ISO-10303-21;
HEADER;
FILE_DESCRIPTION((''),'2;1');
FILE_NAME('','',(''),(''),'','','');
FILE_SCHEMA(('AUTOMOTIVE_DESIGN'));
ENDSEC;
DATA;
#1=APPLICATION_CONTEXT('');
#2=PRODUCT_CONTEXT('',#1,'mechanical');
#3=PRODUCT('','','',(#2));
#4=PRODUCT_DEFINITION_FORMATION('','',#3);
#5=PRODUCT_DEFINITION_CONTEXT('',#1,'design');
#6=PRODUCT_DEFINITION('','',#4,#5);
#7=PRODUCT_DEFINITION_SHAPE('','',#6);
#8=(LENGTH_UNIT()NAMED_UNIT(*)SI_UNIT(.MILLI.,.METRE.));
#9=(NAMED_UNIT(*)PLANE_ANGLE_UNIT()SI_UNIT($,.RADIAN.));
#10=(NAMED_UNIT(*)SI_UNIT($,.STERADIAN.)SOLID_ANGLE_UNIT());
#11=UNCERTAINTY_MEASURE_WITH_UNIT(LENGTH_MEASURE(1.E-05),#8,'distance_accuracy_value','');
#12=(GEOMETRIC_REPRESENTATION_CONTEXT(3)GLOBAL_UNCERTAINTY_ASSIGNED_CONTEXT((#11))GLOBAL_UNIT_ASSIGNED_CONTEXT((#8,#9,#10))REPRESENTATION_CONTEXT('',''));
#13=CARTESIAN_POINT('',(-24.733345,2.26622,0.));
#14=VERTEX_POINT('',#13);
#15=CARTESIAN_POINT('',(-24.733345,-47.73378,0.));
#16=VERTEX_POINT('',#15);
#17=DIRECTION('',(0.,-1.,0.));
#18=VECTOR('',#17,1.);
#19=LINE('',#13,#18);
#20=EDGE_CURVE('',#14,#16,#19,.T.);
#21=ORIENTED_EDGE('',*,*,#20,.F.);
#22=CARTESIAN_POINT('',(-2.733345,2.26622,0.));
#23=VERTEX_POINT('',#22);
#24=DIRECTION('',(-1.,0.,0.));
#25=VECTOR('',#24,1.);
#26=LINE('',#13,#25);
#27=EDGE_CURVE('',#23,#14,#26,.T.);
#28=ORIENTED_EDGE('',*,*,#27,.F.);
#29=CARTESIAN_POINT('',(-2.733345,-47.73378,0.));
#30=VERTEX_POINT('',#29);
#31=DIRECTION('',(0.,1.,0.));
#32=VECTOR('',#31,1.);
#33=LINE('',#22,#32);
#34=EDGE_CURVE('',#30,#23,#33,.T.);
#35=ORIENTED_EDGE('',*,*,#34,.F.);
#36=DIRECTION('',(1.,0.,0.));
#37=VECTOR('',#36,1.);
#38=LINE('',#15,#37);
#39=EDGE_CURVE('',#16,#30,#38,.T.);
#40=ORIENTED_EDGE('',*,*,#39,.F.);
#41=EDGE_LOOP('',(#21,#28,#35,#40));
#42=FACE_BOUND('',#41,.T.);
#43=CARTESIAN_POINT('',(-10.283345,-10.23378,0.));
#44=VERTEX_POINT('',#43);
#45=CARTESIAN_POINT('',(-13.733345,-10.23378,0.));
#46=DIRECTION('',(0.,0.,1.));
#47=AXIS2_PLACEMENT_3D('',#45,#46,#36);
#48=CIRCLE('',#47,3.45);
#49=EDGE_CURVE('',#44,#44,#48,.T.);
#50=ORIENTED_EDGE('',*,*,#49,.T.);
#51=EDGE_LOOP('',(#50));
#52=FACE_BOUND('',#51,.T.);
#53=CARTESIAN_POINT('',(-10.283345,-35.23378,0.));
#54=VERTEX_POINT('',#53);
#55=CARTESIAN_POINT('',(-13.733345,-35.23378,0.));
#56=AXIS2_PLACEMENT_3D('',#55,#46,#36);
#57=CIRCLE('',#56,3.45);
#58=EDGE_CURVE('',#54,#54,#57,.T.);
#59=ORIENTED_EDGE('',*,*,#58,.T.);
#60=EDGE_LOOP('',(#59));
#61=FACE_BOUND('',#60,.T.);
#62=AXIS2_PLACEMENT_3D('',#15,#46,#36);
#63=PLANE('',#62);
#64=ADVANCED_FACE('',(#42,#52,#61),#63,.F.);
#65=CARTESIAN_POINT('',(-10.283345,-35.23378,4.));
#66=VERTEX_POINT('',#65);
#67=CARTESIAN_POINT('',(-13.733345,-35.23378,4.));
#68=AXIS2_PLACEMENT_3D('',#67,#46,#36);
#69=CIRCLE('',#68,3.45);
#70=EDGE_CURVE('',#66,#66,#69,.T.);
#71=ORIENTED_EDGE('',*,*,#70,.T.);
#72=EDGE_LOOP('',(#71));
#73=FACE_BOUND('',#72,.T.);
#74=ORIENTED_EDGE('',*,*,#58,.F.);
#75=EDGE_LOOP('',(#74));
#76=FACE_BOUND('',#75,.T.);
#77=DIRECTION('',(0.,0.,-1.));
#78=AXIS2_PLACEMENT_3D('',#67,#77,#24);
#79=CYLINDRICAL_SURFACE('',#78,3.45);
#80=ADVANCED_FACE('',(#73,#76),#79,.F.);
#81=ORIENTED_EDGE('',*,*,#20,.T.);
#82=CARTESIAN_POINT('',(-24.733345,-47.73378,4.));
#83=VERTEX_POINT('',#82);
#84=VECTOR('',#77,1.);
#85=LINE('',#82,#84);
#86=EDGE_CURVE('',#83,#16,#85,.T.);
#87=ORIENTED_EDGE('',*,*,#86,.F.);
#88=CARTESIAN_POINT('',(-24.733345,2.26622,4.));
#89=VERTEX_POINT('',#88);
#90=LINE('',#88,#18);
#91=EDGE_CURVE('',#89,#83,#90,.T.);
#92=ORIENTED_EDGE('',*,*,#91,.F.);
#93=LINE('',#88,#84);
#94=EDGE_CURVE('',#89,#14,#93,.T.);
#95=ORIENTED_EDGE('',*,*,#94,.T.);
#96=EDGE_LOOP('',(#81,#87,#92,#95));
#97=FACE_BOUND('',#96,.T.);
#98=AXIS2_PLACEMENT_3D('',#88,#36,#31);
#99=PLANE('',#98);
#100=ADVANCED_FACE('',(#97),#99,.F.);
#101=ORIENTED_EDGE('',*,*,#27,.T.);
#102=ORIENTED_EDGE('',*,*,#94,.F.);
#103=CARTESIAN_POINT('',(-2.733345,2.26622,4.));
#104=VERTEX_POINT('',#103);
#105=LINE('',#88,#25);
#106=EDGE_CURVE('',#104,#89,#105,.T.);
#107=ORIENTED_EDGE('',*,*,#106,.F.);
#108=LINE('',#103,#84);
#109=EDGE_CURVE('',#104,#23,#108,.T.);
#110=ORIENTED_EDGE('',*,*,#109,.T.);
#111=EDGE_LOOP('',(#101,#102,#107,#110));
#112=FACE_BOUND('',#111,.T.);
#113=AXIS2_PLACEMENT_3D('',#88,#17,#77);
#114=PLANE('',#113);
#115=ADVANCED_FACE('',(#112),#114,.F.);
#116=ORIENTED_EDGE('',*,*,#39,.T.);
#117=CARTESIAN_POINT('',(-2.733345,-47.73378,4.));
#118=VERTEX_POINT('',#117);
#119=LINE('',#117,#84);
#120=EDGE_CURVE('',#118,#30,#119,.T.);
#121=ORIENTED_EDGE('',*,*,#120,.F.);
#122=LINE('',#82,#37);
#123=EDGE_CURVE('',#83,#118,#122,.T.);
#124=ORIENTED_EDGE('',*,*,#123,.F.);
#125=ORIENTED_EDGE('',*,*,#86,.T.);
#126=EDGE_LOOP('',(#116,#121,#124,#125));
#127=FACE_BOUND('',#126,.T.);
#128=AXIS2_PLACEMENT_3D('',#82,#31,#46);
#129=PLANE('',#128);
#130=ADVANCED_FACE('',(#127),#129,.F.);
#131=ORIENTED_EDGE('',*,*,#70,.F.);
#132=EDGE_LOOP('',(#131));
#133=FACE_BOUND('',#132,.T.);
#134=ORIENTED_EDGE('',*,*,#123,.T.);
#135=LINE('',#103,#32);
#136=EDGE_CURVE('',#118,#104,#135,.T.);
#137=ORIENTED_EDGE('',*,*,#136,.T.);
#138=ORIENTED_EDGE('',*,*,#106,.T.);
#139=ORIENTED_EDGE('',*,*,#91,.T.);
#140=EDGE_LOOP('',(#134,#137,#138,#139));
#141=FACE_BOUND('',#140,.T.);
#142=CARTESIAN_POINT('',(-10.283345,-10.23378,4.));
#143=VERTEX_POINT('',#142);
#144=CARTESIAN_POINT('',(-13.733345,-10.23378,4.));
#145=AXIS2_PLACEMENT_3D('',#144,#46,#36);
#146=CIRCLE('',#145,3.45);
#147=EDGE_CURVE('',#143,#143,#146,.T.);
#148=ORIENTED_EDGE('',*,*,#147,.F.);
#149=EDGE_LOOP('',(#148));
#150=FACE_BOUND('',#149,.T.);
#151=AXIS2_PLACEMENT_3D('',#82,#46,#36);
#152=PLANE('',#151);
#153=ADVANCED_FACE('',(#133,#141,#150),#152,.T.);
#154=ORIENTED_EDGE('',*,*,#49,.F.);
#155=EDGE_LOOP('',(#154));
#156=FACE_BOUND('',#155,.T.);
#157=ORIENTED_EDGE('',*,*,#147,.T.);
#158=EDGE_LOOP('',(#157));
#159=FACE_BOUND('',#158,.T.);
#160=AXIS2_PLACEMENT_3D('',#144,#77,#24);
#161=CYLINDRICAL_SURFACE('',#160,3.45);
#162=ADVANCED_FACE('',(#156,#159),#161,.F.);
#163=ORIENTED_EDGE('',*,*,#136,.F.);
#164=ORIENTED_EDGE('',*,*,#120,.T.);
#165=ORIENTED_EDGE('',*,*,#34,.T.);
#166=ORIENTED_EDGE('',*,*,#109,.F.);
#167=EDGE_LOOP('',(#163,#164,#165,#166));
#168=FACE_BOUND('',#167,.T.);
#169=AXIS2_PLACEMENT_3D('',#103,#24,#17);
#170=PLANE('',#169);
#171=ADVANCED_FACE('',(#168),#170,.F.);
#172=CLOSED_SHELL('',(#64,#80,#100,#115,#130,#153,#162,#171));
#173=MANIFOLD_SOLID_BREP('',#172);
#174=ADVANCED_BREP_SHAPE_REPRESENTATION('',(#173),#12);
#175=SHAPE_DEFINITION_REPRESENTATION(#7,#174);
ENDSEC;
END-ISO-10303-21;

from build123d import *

# Parameters (mm, degrees)
SKETCH1_W      = 22
SKETCH1_H      = 50
SKETCH1_R      = 3.45
EXTRUDE1_DEPTH = 4


with BuildPart() as part:
    # Sketch1 → Extrude1 (new body)
    with BuildSketch(Plane.XY):
        with Locations((-13.733344788, -22.733780069)):
            Rectangle(SKETCH1_W, SKETCH1_H)
        with Locations((-13.733344788, -10.233780069)):
            Circle(SKETCH1_R, mode=Mode.SUBTRACT)
        with Locations((-13.733344788, -35.233780069)):
            Circle(SKETCH1_R, mode=Mode.SUBTRACT)
    extrude(amount=EXTRUDE1_DEPTH)


solid = part.part
